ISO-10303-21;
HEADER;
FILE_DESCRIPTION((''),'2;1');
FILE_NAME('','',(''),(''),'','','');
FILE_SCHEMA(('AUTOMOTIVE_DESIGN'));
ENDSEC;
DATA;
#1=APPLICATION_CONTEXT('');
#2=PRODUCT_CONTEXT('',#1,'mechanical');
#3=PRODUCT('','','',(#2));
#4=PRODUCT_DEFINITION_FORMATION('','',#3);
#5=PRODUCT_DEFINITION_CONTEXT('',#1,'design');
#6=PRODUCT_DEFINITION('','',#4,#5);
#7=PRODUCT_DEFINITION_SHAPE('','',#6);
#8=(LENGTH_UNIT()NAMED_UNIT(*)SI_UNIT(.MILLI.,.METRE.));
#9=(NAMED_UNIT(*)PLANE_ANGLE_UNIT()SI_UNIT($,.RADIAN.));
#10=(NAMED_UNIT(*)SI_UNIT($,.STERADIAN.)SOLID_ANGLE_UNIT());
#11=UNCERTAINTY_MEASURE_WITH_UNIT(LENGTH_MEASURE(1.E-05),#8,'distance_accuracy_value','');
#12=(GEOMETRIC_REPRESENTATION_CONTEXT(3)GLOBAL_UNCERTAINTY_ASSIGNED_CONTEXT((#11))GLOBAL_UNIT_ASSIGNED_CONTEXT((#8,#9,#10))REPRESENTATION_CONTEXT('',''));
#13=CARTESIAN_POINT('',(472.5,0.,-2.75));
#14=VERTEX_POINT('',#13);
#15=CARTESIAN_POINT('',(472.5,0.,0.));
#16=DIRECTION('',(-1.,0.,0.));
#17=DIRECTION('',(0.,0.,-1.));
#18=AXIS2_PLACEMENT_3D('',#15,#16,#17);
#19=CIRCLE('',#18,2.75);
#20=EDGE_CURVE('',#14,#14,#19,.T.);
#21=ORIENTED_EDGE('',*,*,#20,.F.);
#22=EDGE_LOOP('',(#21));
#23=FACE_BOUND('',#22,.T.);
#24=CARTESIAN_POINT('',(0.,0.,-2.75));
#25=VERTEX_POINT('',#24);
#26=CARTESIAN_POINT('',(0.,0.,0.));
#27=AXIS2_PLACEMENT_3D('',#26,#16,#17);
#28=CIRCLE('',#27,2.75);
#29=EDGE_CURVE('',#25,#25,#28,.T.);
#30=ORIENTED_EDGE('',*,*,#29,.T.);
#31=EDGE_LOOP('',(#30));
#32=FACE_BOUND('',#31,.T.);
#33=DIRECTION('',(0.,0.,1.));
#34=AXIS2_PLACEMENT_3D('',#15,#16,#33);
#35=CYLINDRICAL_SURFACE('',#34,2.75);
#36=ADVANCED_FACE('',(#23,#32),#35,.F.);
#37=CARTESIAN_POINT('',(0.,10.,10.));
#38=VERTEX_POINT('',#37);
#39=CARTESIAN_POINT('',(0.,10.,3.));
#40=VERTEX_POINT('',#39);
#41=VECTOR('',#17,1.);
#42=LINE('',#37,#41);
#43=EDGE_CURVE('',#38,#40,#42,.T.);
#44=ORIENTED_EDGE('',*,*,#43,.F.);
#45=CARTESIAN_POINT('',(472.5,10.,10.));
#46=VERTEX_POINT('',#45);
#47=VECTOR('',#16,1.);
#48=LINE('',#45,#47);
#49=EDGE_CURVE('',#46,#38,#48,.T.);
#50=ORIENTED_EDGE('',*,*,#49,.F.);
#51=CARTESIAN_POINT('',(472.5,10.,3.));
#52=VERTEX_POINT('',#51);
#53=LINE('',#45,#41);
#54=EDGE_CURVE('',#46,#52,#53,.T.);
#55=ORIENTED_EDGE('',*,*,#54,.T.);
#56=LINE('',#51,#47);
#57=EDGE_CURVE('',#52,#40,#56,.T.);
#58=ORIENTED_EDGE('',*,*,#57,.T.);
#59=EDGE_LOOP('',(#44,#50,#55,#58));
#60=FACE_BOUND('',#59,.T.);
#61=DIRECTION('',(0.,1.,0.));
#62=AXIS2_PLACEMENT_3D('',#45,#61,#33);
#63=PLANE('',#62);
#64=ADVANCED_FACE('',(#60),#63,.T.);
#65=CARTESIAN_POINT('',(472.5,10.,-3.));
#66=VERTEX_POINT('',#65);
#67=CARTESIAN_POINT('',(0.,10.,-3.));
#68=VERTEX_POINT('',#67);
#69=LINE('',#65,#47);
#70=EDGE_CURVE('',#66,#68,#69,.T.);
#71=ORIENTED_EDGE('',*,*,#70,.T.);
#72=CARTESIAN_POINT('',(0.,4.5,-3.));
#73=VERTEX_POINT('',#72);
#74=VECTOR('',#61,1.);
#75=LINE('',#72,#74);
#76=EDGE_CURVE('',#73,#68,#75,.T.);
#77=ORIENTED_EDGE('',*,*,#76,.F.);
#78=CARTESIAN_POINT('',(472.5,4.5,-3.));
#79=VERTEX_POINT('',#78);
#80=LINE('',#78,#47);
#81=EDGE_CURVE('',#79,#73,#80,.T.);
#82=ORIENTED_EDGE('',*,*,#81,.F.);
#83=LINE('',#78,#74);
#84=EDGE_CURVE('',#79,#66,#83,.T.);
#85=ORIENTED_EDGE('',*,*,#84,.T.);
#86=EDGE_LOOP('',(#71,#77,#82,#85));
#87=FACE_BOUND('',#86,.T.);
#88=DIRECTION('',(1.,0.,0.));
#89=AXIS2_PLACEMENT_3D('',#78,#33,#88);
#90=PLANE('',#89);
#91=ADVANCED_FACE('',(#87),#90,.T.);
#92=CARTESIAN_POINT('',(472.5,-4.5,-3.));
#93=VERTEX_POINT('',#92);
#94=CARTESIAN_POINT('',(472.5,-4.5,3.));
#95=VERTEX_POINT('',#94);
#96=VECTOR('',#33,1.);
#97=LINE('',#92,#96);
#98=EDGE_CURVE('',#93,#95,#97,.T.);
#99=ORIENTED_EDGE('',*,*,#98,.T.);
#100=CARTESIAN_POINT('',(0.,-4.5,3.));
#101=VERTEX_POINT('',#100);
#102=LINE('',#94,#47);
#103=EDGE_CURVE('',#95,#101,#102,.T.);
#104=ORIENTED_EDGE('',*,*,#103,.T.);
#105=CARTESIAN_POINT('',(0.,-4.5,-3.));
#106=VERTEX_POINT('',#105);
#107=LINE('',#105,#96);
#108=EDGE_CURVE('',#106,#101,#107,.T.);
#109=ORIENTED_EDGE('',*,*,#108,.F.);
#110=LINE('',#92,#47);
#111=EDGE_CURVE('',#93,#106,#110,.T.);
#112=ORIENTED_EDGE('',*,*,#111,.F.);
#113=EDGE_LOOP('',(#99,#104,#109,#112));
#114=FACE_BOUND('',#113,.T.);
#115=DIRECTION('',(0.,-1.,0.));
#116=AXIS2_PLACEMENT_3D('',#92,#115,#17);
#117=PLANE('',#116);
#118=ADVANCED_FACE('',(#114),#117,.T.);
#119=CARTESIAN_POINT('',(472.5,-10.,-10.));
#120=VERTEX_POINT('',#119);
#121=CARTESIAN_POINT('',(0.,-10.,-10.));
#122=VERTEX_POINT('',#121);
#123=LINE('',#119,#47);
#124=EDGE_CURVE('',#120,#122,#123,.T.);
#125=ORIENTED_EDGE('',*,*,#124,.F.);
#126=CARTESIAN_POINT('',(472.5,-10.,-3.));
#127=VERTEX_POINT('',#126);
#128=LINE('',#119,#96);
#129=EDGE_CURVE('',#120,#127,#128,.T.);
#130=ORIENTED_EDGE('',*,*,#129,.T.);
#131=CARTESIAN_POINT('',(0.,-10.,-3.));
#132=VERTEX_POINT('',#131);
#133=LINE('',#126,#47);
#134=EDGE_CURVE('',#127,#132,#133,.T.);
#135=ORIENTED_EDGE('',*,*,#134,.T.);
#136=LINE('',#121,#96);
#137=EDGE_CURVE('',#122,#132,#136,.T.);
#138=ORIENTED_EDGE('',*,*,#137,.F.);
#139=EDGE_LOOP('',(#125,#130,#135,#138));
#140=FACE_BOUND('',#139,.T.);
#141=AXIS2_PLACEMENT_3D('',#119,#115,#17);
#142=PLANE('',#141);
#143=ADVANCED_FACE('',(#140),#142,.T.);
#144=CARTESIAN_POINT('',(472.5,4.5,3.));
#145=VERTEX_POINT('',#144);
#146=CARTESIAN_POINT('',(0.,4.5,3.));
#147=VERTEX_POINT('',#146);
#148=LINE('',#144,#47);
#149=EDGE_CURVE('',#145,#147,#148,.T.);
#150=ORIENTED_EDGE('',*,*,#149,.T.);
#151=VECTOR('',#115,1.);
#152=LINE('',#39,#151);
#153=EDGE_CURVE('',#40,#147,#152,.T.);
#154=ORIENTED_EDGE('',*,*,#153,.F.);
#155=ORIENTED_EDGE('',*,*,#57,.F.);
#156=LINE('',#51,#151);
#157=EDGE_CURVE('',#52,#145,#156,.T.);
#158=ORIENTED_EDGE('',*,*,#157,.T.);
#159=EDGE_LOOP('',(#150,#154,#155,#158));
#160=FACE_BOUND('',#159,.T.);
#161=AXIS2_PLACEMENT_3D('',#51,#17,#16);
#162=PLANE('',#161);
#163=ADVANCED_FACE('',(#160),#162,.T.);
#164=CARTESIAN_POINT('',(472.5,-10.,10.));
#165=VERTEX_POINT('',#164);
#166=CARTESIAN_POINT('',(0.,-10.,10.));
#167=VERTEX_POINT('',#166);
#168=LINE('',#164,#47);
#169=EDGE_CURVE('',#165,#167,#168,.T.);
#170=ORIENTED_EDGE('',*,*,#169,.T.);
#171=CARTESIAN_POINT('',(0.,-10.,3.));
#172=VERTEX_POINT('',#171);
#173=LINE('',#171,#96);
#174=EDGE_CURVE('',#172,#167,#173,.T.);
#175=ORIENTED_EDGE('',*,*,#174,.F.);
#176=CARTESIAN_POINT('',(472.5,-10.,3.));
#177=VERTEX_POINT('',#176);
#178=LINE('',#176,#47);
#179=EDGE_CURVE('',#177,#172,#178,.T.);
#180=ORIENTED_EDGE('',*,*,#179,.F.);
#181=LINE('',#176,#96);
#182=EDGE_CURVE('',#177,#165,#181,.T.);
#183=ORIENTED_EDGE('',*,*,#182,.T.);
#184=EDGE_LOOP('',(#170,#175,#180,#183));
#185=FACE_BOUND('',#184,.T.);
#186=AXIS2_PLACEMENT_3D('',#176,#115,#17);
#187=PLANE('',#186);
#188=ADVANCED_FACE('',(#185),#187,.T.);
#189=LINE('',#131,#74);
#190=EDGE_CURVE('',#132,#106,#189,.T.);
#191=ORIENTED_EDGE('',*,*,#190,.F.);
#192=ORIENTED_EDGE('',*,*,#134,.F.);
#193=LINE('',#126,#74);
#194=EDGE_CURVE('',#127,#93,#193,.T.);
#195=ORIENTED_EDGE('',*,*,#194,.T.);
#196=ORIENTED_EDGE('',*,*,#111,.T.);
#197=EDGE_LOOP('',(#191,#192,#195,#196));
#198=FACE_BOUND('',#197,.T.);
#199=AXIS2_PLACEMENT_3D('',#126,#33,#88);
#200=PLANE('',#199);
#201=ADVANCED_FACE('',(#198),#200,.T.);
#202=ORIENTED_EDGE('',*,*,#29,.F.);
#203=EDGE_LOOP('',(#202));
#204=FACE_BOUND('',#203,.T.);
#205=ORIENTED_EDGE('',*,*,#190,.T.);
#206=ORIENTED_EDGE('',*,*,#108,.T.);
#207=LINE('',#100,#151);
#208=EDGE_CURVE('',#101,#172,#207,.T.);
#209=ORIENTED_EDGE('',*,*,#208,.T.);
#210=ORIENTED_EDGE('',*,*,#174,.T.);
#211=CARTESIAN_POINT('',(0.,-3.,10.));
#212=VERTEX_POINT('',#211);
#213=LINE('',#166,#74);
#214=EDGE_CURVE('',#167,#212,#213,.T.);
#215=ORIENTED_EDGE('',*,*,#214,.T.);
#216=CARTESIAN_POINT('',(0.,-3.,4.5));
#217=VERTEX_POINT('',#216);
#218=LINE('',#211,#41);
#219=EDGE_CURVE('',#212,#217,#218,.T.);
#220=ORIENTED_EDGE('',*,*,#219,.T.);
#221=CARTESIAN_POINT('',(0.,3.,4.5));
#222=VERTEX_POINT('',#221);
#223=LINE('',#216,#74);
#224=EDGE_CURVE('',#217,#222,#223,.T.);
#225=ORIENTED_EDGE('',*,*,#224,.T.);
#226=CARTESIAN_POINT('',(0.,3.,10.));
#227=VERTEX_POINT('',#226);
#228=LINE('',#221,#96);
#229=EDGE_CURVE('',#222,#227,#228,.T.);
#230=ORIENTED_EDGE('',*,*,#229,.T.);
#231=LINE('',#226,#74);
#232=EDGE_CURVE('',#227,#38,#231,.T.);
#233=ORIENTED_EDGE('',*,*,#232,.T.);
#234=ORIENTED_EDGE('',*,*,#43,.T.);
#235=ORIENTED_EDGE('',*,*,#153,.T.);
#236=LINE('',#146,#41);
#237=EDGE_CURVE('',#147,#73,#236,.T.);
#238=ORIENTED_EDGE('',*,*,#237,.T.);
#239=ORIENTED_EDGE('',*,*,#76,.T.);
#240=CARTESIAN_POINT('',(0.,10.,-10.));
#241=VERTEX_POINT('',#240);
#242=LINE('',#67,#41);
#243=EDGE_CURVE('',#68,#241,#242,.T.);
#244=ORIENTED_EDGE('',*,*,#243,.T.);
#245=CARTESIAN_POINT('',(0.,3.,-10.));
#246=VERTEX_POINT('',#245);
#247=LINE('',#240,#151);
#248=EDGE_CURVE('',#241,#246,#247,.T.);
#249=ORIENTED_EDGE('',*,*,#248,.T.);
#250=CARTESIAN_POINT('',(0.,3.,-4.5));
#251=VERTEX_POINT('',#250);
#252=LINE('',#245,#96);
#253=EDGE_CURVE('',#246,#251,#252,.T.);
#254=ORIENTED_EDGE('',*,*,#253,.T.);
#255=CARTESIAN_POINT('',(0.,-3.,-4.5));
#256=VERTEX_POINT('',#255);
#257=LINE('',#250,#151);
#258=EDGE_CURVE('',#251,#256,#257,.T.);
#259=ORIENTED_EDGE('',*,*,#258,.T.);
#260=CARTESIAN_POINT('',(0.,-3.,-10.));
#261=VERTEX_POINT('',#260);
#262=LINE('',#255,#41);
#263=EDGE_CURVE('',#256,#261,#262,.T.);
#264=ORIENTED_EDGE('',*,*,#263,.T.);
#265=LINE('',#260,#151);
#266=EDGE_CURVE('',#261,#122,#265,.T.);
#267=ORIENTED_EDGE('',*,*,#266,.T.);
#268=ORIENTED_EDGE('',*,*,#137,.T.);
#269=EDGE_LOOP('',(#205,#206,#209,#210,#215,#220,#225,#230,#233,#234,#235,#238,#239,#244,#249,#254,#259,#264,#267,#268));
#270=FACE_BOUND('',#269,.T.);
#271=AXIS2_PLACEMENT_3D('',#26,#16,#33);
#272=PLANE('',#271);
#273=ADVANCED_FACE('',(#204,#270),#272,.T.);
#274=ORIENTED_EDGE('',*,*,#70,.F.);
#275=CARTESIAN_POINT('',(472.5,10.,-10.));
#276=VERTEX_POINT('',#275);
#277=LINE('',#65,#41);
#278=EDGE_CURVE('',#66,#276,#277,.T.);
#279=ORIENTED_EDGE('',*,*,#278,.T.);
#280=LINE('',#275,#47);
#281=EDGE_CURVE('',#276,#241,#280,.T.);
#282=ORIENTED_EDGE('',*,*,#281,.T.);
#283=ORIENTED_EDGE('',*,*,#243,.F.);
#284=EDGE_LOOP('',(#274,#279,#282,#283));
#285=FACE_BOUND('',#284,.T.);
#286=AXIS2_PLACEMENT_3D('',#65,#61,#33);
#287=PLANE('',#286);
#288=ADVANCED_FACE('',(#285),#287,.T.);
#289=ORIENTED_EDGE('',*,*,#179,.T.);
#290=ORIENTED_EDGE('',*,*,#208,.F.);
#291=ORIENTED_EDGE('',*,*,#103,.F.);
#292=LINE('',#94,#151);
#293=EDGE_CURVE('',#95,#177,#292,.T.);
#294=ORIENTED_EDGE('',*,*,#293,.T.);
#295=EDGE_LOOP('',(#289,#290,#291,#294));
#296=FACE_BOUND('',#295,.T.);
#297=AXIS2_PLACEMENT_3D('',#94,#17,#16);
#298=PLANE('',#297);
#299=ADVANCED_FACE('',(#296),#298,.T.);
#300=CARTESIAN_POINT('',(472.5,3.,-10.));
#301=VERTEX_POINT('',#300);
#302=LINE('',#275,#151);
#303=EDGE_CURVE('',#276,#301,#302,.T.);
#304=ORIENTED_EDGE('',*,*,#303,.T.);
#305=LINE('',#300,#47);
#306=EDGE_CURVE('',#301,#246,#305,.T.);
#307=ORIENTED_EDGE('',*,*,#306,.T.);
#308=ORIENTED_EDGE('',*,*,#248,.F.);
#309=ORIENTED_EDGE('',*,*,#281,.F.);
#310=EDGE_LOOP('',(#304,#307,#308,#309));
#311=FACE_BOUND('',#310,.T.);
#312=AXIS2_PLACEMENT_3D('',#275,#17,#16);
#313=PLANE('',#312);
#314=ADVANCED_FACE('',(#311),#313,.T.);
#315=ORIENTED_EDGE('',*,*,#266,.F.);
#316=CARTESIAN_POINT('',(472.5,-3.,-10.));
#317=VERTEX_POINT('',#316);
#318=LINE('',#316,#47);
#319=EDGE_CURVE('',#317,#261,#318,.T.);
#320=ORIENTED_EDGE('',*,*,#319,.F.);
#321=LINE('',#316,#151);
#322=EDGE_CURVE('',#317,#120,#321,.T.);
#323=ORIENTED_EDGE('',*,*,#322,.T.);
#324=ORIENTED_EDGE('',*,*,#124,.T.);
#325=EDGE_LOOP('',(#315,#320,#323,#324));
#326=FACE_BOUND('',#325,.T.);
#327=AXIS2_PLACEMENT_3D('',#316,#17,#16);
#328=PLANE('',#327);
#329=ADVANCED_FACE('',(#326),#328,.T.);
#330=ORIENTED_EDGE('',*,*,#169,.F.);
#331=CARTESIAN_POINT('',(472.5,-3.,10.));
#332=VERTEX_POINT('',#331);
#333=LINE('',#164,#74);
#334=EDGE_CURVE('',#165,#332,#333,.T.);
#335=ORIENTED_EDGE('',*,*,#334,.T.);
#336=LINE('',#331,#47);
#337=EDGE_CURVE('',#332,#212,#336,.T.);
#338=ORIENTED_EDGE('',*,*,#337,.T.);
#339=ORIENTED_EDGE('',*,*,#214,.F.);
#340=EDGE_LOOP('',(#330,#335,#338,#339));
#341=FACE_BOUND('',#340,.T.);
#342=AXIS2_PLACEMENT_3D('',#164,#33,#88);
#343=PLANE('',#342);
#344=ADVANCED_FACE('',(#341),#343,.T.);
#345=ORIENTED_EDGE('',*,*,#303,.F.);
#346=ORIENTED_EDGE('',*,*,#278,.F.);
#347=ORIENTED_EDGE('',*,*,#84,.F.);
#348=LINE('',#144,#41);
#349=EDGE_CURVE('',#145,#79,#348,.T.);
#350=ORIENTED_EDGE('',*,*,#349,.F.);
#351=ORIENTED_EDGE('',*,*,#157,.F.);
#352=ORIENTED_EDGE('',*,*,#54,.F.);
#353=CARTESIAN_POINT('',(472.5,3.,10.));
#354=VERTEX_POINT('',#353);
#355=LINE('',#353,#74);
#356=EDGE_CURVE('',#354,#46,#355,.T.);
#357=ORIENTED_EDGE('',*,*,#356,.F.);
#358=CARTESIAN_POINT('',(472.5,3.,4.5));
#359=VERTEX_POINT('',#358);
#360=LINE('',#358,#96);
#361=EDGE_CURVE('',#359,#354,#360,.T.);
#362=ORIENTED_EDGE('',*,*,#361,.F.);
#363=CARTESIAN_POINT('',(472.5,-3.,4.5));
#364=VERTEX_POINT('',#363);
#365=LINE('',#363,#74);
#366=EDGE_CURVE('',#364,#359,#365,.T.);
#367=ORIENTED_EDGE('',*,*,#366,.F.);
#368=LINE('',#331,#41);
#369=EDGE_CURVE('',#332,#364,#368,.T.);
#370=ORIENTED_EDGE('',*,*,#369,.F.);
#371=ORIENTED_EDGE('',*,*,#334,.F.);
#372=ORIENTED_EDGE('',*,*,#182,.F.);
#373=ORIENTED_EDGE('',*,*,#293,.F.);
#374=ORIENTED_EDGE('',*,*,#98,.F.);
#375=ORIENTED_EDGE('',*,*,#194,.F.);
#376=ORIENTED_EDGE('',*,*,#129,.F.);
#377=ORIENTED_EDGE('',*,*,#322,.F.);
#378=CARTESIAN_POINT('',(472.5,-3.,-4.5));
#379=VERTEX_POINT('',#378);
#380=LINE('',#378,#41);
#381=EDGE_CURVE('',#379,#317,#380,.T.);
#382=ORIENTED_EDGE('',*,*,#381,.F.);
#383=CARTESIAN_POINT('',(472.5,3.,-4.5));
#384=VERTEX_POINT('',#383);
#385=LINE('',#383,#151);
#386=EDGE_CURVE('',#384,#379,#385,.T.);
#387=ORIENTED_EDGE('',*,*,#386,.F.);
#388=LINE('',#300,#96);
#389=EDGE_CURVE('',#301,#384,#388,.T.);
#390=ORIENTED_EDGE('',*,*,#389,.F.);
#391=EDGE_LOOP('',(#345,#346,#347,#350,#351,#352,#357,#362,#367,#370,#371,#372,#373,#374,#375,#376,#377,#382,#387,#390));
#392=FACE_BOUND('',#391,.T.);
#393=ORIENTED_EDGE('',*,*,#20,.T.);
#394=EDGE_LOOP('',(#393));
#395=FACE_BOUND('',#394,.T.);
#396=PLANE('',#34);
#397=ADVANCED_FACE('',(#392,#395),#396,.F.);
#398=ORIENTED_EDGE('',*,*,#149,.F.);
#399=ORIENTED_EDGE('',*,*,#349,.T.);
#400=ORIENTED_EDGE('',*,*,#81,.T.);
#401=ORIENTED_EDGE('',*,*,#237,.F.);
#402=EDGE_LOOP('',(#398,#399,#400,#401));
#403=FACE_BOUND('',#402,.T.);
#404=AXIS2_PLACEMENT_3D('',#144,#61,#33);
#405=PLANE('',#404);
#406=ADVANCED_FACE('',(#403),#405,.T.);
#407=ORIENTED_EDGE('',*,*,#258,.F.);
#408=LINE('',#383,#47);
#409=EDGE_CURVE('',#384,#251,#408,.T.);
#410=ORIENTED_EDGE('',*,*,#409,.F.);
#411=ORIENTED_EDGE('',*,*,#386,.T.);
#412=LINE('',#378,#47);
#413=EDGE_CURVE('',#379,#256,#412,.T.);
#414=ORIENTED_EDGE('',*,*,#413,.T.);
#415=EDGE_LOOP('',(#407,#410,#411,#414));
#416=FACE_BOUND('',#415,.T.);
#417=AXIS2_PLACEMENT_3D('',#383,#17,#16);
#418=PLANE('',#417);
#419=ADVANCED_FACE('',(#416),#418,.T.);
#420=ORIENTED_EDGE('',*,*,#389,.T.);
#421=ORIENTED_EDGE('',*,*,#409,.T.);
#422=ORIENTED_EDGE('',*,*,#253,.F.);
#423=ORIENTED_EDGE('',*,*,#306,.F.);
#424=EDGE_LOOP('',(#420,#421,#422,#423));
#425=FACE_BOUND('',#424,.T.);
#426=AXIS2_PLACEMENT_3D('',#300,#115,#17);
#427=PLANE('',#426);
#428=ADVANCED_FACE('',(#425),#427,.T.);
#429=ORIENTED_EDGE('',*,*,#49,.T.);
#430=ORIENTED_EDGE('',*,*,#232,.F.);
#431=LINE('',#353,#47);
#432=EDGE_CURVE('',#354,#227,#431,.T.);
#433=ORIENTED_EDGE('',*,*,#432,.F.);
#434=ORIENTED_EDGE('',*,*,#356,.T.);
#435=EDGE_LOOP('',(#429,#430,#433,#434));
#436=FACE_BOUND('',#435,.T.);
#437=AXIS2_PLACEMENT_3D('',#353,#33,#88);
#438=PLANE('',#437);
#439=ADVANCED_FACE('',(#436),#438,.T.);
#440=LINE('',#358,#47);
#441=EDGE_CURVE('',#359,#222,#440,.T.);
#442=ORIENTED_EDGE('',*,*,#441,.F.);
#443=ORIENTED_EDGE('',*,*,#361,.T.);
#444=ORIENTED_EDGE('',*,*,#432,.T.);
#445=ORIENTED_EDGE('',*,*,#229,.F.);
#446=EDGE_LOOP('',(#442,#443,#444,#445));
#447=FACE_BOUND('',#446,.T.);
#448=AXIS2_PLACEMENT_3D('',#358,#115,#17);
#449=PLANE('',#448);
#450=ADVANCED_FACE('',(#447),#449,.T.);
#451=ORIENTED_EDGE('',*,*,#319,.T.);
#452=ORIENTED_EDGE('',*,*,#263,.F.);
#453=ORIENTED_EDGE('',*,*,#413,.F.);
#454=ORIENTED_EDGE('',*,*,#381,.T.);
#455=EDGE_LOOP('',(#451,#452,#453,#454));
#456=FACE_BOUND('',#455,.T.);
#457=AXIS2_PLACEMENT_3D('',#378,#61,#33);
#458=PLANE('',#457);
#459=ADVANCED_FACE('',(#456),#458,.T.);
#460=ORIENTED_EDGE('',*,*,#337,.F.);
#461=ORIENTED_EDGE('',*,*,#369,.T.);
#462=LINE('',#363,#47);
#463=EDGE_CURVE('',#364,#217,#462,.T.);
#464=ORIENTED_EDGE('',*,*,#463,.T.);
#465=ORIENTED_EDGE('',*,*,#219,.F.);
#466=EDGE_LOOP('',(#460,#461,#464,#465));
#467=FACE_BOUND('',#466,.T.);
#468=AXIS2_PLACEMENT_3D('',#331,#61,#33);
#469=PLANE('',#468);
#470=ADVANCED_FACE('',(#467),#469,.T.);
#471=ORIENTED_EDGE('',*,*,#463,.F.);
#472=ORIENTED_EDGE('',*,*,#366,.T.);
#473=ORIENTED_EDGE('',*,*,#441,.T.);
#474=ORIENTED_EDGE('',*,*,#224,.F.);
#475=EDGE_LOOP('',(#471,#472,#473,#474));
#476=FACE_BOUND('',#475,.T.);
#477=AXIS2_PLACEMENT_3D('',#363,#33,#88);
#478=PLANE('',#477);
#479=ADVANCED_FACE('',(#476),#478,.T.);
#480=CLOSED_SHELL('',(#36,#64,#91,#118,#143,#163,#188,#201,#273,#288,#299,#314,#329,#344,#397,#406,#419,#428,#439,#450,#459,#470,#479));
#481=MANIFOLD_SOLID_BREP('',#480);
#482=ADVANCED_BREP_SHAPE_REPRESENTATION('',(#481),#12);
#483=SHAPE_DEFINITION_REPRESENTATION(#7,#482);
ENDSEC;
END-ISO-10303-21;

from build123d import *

# Parameters (mm, degrees)
ESQUISSE1_R        = 2.75
BOSS_EXTRU_1_DEPTH = 472.5


with BuildPart() as part:
    # Esquisse1 → Boss.-Extru.1 (new body)
    with BuildSketch(Plane(origin=(0, 0, 0), x_dir=(0, -1, 0), z_dir=(-1, 0, 0))):
        Polygon((-3, -10), (-3, -4.5), (3, -4.5), (3, -10), (10, -10), (10, -3), (4.5, -3), (4.5, 3), (10, 3), (10, 10), (3, 10), (3, 4.5), (-3, 4.5), (-3, 10), (-10, 10), (-10, 3), (-4.5, 3), (-4.5, -3), (-10, -3), (-10, -10), align=None)
        Circle(ESQUISSE1_R, mode=Mode.SUBTRACT)
    extrude(amount=-BOSS_EXTRU_1_DEPTH)


solid = part.part
